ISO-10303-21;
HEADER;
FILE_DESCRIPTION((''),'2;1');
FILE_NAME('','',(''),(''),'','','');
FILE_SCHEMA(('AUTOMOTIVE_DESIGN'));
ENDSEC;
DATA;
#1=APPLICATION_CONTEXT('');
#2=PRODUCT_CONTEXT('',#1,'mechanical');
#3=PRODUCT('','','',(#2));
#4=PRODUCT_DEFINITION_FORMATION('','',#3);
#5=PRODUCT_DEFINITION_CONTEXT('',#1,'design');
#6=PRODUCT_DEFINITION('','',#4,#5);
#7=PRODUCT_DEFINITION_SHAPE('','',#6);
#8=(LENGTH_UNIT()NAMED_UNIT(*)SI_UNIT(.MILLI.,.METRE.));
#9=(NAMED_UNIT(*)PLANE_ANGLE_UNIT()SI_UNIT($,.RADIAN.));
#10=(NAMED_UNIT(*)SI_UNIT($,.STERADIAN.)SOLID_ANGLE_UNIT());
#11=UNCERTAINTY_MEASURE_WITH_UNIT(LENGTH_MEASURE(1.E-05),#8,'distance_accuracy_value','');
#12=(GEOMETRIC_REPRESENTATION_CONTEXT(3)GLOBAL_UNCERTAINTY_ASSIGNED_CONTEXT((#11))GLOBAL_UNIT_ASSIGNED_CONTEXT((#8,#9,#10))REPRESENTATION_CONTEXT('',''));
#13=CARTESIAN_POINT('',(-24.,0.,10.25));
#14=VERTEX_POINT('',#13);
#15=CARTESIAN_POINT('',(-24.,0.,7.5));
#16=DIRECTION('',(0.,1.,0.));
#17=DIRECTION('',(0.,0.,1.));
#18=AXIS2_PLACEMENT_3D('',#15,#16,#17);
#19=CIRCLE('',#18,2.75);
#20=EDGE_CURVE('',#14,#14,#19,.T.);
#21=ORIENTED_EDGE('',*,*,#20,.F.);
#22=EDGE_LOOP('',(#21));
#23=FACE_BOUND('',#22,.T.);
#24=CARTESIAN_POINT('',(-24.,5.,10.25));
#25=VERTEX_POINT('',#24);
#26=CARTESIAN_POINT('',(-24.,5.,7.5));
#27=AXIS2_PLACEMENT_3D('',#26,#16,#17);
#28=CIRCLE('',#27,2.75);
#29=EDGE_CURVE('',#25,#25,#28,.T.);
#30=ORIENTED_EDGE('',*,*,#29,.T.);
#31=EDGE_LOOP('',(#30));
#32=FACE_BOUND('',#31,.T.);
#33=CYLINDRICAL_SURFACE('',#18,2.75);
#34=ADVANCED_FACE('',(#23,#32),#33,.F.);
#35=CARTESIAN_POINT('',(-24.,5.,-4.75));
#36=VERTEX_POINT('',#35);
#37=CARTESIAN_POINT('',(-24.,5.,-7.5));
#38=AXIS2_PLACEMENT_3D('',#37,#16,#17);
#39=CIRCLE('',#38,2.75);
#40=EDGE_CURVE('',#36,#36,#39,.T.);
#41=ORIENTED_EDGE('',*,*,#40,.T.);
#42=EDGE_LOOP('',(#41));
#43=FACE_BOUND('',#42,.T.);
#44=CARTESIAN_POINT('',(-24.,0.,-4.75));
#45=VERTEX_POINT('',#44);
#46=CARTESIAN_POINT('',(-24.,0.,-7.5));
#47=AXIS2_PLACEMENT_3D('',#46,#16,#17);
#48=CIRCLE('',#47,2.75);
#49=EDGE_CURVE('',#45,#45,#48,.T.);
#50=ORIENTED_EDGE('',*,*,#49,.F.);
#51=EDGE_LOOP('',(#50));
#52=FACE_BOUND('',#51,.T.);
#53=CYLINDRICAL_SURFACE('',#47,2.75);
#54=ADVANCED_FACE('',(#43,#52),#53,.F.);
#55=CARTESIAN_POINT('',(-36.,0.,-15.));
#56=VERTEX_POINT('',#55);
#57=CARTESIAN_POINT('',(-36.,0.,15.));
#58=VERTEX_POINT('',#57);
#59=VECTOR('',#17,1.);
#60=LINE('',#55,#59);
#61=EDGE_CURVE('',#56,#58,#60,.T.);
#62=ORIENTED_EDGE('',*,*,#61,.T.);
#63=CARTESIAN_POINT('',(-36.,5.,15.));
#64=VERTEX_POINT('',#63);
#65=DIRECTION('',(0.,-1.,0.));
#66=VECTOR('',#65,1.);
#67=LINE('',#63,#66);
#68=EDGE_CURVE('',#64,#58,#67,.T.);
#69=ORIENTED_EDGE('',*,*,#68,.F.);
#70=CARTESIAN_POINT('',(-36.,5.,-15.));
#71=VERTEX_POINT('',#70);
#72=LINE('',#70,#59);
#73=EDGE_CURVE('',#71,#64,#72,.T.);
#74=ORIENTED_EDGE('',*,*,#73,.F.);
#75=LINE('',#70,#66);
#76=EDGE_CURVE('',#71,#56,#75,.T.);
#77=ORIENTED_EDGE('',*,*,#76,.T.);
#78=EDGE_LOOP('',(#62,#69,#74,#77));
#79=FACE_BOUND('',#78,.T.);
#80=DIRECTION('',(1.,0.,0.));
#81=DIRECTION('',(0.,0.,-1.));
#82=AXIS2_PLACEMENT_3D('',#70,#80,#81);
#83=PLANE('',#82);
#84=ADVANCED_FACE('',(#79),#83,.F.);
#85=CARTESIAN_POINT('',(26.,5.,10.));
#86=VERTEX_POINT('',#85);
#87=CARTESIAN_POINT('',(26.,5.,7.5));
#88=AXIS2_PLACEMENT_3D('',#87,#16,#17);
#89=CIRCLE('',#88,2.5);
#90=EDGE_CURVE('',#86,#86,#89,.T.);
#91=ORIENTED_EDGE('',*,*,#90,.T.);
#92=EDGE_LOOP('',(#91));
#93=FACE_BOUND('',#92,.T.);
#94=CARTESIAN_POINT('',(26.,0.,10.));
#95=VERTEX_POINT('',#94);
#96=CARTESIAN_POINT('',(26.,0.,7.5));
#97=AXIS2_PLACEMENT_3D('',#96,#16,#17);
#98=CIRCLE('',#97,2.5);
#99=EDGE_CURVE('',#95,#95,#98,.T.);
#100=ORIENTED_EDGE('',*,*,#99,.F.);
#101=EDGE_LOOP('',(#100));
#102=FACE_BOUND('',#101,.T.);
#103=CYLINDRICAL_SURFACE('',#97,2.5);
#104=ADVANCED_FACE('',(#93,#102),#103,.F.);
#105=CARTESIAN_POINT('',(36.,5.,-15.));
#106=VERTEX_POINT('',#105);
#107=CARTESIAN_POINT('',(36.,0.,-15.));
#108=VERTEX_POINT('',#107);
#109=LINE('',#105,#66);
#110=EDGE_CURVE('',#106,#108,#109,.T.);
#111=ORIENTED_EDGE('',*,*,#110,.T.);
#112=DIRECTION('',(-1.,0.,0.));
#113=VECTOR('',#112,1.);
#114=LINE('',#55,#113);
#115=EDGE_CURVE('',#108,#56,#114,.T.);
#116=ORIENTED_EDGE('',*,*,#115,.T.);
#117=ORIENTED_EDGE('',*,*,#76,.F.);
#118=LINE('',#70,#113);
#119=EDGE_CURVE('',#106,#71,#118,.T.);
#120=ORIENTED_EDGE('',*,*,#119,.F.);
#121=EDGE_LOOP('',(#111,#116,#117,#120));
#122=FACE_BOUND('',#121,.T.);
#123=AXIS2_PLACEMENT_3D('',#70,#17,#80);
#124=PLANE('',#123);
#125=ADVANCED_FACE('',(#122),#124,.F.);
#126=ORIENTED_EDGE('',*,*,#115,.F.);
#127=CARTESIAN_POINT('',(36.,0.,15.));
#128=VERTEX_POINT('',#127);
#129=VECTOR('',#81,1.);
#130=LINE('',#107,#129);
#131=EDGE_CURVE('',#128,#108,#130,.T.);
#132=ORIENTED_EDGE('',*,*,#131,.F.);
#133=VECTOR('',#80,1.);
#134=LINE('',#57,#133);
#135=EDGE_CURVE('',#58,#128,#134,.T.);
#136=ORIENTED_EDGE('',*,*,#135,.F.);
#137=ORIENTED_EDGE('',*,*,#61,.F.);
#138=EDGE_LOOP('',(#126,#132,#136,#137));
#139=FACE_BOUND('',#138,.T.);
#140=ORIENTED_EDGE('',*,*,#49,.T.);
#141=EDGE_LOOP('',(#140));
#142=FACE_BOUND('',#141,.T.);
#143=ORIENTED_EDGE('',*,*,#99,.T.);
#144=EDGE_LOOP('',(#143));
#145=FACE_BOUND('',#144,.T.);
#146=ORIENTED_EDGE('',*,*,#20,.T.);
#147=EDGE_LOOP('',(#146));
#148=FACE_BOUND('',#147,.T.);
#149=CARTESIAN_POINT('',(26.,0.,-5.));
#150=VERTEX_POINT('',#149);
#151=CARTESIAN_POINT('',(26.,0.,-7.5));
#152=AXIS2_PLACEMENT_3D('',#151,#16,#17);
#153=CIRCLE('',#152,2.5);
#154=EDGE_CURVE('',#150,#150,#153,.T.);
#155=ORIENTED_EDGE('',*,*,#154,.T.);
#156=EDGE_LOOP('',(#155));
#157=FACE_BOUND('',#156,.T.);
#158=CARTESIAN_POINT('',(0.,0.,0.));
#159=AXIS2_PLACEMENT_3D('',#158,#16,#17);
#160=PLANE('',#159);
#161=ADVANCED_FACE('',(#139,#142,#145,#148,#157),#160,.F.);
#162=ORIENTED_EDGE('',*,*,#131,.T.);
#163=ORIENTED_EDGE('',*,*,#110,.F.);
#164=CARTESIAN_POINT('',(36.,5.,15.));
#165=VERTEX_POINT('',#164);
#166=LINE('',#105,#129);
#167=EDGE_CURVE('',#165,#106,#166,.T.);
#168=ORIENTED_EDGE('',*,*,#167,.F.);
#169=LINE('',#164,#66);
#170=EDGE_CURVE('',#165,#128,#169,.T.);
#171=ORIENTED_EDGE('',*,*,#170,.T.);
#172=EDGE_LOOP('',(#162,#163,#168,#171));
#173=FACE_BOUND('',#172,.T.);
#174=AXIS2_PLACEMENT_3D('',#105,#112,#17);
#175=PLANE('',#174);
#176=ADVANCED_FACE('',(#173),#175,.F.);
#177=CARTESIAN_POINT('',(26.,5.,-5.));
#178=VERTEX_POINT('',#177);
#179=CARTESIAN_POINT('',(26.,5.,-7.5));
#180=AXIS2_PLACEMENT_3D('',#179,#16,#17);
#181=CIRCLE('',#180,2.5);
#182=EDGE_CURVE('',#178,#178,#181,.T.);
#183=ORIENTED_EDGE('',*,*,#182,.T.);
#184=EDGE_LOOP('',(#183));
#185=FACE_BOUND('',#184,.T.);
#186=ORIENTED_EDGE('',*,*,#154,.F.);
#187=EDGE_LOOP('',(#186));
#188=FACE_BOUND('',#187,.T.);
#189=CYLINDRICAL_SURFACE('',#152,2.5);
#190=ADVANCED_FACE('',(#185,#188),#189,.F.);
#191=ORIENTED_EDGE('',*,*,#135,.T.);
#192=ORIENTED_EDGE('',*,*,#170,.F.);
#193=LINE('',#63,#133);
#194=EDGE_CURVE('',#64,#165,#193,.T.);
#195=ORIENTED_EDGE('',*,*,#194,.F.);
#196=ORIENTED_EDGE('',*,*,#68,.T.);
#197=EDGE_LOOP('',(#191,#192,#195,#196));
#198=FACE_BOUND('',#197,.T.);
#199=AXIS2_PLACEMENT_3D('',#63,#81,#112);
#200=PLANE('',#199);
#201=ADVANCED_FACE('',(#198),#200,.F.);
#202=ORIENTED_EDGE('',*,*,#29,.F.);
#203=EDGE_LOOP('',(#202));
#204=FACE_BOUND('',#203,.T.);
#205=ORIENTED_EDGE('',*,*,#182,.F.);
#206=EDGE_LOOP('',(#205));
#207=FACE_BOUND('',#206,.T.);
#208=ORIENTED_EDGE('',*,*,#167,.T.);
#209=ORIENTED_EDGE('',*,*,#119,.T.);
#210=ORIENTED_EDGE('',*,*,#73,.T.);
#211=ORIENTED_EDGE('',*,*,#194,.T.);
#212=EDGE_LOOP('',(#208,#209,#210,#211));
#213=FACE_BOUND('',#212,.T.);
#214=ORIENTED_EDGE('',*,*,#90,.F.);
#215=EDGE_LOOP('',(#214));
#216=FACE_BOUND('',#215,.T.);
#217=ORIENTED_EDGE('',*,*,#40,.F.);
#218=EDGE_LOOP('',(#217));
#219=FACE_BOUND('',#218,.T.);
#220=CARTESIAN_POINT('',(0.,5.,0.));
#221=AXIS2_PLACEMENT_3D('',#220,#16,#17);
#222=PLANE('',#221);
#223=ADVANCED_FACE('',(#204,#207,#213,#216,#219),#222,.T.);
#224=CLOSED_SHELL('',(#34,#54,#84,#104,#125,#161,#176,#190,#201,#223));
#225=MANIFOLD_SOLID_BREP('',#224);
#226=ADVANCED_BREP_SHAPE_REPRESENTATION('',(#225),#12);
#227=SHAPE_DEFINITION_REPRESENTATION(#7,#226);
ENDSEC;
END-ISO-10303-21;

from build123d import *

# Parameters (mm, degrees)
SKETCH1_W           = 72
SKETCH1_H           = 30
BOSS_EXTRUDE1_DEPTH = 5
SKETCH3_R           = 2.75
SKETCH3_R_2         = 2.5
CUT_EXTRUDE1_DEPTH  = 6


with BuildPart() as part:
    # Sketch1 → Boss-Extrude1 (new body)
    with BuildSketch(Plane(origin=(0, 0, 0), x_dir=(1, 0, 0), z_dir=(0, 1, 0))):
        Rectangle(SKETCH1_W, SKETCH1_H)
    extrude(amount=BOSS_EXTRUDE1_DEPTH)

    # Sketch3 → Cut-Extrude1 (cut, through all)
    with BuildSketch(Plane(origin=(0, 5, 0), x_dir=(1, 0, 0), z_dir=(0, 1, 0))):
        with Locations((-24, 7.5)):
            Circle(SKETCH3_R)
        with Locations((-24, -7.5)):
            Circle(SKETCH3_R)
        with Locations((26, 7.5)):
            Circle(SKETCH3_R_2)
        with Locations((26, -7.5)):
            Circle(SKETCH3_R_2)
    extrude(amount=-CUT_EXTRUDE1_DEPTH, mode=Mode.SUBTRACT)


solid = part.part
